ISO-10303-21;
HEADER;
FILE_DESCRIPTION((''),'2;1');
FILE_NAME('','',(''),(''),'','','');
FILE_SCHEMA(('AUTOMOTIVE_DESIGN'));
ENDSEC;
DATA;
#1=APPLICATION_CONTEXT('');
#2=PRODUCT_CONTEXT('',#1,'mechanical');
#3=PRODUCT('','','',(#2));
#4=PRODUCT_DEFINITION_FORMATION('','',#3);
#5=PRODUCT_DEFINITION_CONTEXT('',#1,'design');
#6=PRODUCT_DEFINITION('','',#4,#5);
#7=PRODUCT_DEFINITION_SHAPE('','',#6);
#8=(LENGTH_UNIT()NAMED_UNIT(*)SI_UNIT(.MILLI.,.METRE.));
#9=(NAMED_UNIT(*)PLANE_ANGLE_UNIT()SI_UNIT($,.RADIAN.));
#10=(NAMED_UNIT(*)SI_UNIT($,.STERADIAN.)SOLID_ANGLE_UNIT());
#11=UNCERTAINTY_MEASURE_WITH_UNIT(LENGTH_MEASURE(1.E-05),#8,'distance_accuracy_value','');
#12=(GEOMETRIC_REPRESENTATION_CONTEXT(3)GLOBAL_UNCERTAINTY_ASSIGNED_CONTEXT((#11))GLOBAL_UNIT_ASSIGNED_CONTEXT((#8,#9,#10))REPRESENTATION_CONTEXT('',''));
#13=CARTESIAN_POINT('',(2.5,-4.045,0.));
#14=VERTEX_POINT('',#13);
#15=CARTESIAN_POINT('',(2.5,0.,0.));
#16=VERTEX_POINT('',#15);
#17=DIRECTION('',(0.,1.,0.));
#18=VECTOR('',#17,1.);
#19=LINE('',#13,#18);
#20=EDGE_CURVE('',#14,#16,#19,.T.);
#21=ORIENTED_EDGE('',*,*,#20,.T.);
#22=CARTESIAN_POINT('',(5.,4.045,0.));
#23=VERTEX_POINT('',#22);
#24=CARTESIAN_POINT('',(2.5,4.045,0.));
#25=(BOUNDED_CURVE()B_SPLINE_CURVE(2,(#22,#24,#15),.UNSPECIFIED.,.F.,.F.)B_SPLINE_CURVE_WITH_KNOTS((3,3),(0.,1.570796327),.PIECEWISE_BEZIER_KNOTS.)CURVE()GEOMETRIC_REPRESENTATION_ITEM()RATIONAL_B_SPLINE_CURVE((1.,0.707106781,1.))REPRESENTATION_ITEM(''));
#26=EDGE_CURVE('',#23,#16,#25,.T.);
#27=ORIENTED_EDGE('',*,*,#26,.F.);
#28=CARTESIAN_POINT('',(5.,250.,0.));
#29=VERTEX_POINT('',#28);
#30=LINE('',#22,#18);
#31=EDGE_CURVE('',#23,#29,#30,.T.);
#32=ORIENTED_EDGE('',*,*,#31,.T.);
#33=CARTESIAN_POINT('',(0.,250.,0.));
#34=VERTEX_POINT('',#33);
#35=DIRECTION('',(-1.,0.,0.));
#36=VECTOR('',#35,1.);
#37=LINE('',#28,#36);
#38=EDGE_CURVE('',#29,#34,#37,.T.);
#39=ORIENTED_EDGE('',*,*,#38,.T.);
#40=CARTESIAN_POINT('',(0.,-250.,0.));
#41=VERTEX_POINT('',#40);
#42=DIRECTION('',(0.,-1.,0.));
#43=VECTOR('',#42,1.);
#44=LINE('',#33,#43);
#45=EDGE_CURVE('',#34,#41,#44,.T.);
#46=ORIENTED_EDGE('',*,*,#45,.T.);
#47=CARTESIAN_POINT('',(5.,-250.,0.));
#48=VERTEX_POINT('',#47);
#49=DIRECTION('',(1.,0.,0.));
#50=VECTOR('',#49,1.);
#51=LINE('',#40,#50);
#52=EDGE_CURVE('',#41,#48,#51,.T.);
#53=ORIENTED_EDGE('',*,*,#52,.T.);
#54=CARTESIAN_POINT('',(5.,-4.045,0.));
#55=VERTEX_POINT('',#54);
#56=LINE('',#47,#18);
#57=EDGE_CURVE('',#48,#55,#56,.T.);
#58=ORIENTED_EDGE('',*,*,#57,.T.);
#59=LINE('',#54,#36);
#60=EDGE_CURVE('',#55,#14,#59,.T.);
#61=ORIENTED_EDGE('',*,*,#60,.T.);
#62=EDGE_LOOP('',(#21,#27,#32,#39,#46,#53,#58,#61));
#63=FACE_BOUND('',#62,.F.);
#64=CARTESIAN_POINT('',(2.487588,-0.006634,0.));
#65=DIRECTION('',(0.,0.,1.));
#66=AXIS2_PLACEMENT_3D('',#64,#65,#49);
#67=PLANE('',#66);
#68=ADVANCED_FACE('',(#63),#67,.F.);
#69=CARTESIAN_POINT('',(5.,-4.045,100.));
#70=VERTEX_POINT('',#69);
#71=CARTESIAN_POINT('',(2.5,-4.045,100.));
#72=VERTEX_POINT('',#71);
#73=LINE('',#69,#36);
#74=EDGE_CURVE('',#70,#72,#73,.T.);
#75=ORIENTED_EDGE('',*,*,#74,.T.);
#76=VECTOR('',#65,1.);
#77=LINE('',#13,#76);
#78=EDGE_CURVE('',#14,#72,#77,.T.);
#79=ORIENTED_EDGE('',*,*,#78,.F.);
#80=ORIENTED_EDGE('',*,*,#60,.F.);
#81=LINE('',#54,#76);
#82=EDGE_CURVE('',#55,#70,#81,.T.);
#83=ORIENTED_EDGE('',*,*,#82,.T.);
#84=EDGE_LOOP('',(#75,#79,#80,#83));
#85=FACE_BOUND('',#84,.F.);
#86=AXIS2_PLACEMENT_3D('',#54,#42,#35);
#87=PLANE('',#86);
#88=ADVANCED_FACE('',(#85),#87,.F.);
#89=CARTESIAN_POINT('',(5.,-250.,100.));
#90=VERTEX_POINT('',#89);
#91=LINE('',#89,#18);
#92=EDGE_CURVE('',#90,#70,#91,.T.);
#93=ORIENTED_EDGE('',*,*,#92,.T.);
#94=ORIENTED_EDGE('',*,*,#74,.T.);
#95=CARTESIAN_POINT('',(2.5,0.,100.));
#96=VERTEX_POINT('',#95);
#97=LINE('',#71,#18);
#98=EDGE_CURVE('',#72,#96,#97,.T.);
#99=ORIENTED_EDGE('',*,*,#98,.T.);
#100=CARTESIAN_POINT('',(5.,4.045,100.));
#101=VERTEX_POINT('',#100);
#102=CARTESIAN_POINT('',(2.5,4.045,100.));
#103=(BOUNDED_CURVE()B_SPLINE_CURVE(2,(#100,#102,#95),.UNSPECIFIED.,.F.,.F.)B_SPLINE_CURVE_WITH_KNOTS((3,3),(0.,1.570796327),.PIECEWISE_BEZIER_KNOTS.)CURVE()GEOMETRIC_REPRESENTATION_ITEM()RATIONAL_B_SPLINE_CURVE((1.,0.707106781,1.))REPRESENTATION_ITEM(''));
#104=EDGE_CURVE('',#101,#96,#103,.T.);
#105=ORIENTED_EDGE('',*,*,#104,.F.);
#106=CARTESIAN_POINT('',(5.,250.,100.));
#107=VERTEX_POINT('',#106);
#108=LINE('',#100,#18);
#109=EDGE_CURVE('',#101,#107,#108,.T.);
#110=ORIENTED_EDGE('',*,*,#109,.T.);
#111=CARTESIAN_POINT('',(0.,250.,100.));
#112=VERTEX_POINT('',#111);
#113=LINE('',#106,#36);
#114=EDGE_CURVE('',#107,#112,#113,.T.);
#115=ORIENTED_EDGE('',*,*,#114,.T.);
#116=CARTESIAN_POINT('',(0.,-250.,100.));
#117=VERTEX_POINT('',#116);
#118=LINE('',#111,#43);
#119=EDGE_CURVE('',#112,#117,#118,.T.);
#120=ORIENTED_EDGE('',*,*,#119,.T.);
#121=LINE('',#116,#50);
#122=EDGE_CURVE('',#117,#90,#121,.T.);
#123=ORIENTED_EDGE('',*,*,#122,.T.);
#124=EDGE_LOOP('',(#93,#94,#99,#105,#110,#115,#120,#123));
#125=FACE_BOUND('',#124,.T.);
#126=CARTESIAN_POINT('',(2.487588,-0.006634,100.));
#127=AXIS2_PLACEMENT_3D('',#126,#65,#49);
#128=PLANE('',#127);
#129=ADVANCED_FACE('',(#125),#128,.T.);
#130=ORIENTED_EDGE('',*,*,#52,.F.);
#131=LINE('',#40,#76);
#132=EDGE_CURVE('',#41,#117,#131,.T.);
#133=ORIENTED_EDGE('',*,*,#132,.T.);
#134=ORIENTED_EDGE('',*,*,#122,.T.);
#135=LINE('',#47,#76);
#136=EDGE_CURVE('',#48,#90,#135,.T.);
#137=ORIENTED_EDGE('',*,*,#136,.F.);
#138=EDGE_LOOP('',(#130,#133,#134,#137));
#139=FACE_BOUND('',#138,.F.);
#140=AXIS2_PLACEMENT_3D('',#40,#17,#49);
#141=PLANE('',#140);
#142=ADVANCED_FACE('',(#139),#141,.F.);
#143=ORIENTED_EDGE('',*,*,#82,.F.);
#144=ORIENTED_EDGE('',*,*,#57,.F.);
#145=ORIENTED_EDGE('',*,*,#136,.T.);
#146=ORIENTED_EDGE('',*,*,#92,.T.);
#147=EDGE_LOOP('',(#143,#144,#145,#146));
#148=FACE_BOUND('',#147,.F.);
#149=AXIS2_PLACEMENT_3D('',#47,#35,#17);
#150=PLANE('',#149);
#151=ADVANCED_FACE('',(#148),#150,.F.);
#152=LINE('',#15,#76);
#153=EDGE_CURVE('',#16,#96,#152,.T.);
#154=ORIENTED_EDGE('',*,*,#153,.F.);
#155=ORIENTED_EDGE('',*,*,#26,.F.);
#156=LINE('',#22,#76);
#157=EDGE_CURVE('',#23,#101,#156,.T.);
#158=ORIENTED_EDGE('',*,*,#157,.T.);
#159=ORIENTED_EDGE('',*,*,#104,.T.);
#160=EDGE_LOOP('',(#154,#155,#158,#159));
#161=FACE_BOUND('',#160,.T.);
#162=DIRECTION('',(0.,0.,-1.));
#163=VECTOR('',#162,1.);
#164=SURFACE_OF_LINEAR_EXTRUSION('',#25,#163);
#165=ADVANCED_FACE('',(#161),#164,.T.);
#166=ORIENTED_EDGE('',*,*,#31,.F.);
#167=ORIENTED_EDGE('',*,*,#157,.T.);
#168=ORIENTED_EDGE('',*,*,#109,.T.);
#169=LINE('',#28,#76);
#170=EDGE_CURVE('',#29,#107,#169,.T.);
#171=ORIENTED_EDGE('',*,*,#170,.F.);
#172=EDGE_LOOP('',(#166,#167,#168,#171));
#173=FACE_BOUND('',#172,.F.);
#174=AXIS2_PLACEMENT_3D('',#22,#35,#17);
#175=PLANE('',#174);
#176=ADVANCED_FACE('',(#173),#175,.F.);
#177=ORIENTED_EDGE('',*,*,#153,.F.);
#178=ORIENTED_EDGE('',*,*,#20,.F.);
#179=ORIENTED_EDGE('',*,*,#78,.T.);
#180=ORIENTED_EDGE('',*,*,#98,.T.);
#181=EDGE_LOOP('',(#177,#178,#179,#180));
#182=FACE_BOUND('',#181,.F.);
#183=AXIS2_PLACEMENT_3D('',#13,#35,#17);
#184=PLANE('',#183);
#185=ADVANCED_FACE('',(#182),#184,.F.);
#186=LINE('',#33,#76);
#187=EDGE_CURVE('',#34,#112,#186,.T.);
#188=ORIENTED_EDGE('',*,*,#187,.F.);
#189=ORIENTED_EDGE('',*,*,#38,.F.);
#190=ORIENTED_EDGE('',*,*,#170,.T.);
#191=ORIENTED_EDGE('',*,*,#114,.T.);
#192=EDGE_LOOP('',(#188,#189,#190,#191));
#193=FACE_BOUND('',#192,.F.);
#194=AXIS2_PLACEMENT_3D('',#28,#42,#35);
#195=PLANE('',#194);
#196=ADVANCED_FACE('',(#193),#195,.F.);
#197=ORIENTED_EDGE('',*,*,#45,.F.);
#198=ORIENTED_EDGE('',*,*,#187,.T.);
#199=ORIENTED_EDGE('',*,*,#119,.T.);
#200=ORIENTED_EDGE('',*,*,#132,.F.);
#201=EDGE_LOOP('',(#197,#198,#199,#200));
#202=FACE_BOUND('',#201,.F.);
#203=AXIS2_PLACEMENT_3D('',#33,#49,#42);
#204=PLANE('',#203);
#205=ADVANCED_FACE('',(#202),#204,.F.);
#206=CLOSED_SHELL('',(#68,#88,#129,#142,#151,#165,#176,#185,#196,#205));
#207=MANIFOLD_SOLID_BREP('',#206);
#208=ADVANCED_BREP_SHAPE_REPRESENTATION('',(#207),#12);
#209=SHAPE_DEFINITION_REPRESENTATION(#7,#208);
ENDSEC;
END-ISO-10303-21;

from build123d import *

# Parameters (mm, degrees)
F2_DEPTH = 100


with BuildPart() as f2:
    # F1 (on Top) → F2 (new body)
    with BuildSketch(Plane.XY):
        with BuildLine():
            Line((5, 4.045), (5, 250))
            Line((5, 250), (0, 250))
            Line((0, 250), (0, -250))
            Line((0, -250), (5, -250))
            Line((5, -250), (5, -4.045))
            Line((5, -4.045), (2.5, -4.045))
            Line((2.5, -4.045), (2.5, 0))
            add(Edge.make_bspline(
                [(5, 4.045), (2.5, 4.045), (2.5, 0)],
                knots=[0, 0, 0, 1.5707963268, 1.5707963268, 1.5707963268], degree=2, weights=[1, 0.7071067812, 1]))
        make_face()
    extrude(amount=F2_DEPTH)


solid = f2.part
